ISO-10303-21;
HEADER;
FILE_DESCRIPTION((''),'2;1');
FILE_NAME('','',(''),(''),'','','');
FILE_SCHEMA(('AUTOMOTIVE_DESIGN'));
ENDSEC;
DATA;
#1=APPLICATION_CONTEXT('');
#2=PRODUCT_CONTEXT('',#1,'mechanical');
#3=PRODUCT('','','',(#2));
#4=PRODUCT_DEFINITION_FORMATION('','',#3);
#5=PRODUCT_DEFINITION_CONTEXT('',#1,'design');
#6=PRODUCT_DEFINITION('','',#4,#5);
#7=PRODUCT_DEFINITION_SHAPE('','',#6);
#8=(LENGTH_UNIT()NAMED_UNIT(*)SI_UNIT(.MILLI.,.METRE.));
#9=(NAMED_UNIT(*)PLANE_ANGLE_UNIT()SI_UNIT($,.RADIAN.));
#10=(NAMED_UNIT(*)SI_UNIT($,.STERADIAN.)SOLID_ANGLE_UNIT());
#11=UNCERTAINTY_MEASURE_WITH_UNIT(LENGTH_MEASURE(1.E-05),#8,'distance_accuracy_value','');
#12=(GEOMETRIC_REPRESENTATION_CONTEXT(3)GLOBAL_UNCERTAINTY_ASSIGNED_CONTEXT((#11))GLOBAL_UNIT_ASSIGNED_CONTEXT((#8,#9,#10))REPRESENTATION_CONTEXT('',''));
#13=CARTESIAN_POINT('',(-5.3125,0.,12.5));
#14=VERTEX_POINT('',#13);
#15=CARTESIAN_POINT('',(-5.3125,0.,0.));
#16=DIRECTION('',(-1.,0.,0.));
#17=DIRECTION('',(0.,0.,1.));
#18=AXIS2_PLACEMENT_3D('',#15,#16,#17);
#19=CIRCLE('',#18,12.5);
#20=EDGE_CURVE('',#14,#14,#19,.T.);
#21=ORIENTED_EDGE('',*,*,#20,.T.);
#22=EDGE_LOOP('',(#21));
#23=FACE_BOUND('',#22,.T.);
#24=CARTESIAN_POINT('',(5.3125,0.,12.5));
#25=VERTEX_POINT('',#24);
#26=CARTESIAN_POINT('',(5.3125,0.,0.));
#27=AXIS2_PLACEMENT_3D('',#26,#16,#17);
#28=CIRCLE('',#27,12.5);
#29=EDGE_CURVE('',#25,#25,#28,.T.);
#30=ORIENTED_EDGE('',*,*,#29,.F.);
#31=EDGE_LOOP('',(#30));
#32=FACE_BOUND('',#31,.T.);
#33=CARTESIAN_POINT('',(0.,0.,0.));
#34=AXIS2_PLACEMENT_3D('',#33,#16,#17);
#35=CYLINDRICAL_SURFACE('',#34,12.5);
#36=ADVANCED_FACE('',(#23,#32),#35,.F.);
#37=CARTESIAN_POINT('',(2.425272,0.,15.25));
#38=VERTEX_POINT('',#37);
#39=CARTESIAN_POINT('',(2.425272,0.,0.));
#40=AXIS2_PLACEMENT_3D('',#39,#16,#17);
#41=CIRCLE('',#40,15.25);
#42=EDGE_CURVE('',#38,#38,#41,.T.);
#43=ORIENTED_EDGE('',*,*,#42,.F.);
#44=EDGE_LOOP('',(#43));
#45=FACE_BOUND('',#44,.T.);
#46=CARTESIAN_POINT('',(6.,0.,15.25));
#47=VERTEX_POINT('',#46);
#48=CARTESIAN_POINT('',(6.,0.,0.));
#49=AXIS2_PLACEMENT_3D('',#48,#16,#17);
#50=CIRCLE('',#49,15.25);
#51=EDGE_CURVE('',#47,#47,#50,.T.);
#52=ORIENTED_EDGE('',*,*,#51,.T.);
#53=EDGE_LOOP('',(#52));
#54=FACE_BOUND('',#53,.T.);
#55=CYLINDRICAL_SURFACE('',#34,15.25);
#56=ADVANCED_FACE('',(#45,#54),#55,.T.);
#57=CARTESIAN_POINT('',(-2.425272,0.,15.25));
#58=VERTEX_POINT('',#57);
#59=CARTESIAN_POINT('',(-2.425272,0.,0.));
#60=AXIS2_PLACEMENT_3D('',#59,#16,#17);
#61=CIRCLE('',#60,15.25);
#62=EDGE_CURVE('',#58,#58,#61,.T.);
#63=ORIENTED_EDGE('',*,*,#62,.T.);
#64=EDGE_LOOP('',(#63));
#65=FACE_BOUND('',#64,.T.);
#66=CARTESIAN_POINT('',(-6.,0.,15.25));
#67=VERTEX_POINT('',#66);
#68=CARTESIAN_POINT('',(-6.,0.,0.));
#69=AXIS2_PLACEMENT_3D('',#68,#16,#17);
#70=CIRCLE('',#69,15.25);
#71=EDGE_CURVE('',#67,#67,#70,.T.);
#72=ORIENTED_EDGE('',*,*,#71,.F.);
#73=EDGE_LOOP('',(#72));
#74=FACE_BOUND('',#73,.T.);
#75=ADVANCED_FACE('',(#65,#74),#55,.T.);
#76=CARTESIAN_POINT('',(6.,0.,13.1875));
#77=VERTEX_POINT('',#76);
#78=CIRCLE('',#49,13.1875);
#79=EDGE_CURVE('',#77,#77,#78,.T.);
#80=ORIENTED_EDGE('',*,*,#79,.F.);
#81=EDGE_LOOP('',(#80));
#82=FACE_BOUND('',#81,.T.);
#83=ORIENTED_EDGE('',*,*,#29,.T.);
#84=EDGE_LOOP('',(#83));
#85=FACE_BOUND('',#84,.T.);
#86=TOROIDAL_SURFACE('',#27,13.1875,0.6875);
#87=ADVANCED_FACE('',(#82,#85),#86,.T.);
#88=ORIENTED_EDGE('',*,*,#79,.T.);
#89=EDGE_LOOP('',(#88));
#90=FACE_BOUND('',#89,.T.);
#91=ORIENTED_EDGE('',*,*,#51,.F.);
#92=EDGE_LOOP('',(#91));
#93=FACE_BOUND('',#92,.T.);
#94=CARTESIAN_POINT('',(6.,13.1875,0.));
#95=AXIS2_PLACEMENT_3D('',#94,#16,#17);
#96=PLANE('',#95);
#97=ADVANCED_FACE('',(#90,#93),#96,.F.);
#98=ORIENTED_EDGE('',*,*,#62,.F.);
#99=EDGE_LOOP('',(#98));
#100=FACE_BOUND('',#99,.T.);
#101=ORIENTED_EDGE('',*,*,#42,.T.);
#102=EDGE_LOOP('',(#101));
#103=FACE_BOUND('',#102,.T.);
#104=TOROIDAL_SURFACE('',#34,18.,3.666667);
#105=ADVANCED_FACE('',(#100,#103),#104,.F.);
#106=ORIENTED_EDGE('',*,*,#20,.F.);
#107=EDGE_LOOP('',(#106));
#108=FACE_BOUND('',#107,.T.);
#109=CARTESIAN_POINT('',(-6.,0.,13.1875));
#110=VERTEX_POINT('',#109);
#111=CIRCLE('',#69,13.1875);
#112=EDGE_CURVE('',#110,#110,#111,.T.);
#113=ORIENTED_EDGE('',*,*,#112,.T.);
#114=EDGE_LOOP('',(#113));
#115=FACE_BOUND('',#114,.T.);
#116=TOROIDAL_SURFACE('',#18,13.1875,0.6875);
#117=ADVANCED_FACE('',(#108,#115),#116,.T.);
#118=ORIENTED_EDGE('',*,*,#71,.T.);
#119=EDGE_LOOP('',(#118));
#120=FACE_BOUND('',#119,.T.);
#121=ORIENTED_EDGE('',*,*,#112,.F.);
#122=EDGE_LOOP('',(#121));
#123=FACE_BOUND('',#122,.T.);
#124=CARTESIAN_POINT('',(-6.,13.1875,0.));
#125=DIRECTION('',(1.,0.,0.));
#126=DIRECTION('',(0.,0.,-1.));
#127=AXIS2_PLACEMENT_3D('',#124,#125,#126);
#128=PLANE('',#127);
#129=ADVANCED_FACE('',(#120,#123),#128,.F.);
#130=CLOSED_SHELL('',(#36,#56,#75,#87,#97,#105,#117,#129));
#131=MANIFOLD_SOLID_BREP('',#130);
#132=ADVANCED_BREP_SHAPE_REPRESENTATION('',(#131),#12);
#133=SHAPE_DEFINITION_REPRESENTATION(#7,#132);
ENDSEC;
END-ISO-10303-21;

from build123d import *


with BuildPart() as part:
    # Esquisse1 → Base-Révolution (revolve)
    with BuildSketch(Plane.XY):
        with BuildLine():
            Line((-5.3125, 12.5), (5.3125, 12.5))
            ThreePointArc((5.3125, 12.5), (5.798635912, 12.701364088), (6, 13.1875))
            Line((6, 13.1875), (6, 15.25))
            Line((6, 15.25), (2.425272035, 15.25))
            ThreePointArc((2.425272035, 15.25), (0, 14.333333333), (-2.425272035, 15.25))
            Line((-2.425272035, 15.25), (-6, 15.25))
            Line((-6, 15.25), (-6, 13.1875))
            ThreePointArc((-6, 13.1875), (-5.798635912, 12.701364088), (-5.3125, 12.5))
        make_face()
    revolve(axis=Axis((0, 0, 0), (1, 0, 0)))


solid = part.part
